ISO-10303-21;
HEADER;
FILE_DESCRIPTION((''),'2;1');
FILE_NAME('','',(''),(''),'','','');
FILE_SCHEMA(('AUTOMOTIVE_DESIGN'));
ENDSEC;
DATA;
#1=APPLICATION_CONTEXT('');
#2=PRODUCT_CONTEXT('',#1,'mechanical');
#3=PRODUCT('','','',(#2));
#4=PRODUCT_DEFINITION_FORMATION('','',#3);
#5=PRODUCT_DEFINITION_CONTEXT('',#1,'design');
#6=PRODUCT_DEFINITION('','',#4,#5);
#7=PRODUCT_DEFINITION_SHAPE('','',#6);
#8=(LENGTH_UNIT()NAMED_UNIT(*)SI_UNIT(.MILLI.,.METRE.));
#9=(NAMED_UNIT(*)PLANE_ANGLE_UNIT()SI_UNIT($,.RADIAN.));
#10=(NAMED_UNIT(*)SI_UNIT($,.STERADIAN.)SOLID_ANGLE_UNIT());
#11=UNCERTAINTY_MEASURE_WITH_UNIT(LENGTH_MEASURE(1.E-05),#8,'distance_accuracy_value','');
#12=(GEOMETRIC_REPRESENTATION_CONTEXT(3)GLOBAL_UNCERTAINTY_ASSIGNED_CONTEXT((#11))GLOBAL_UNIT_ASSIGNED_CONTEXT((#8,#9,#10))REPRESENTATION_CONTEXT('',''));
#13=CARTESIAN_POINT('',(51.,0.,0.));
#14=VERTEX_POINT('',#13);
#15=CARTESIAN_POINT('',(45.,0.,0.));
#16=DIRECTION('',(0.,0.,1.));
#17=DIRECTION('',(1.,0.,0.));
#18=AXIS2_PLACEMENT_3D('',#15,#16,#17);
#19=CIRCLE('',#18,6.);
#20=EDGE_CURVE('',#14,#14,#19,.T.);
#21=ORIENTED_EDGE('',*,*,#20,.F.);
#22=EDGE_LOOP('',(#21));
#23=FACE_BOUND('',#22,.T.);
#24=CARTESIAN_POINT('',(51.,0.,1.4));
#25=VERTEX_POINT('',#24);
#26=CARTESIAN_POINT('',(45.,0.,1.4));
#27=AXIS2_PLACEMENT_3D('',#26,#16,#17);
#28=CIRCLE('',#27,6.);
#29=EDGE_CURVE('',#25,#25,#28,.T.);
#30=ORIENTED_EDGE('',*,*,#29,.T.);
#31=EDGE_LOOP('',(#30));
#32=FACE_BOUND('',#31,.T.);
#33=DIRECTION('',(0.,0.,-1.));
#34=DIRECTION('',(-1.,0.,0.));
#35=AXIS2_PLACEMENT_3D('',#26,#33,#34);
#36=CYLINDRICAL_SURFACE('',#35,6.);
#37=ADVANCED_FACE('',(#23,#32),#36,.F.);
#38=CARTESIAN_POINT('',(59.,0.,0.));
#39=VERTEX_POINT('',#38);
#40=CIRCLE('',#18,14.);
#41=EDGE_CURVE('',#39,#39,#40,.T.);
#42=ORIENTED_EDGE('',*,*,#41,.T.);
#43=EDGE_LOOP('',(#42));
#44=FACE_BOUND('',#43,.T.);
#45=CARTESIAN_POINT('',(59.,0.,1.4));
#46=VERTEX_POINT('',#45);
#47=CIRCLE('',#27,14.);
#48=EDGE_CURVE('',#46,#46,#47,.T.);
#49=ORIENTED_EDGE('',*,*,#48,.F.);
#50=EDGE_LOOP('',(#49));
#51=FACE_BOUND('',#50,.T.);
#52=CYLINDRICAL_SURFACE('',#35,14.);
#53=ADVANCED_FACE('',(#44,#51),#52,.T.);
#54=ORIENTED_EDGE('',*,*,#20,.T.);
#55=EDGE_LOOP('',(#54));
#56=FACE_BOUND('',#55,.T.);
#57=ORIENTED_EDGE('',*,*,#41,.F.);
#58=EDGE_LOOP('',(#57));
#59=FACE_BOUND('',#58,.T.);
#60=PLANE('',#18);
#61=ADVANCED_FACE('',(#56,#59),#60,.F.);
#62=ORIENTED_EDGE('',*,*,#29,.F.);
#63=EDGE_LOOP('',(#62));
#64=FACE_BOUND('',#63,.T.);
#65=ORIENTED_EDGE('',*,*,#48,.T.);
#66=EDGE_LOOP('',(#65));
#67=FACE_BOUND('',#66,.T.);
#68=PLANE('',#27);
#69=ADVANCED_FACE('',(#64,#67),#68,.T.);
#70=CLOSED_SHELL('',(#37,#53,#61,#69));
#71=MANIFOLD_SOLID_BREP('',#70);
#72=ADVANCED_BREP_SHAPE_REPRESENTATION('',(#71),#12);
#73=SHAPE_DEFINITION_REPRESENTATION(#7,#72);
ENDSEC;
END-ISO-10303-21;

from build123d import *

# Parameters (mm, degrees)
ESQUISSE1_R          = 14
ESQUISSE1_R_2        = 6
BASE_EXTRUSION_DEPTH = 1.4


with BuildPart() as part:
    # Esquisse1 → Base-Extrusion (new body)
    with BuildSketch(Plane.XY):
        with Locations((45, 0)):
            Circle(ESQUISSE1_R)
        with Locations((45, 0)):
            Circle(ESQUISSE1_R_2, mode=Mode.SUBTRACT)
    extrude(amount=BASE_EXTRUSION_DEPTH)


solid = part.part
